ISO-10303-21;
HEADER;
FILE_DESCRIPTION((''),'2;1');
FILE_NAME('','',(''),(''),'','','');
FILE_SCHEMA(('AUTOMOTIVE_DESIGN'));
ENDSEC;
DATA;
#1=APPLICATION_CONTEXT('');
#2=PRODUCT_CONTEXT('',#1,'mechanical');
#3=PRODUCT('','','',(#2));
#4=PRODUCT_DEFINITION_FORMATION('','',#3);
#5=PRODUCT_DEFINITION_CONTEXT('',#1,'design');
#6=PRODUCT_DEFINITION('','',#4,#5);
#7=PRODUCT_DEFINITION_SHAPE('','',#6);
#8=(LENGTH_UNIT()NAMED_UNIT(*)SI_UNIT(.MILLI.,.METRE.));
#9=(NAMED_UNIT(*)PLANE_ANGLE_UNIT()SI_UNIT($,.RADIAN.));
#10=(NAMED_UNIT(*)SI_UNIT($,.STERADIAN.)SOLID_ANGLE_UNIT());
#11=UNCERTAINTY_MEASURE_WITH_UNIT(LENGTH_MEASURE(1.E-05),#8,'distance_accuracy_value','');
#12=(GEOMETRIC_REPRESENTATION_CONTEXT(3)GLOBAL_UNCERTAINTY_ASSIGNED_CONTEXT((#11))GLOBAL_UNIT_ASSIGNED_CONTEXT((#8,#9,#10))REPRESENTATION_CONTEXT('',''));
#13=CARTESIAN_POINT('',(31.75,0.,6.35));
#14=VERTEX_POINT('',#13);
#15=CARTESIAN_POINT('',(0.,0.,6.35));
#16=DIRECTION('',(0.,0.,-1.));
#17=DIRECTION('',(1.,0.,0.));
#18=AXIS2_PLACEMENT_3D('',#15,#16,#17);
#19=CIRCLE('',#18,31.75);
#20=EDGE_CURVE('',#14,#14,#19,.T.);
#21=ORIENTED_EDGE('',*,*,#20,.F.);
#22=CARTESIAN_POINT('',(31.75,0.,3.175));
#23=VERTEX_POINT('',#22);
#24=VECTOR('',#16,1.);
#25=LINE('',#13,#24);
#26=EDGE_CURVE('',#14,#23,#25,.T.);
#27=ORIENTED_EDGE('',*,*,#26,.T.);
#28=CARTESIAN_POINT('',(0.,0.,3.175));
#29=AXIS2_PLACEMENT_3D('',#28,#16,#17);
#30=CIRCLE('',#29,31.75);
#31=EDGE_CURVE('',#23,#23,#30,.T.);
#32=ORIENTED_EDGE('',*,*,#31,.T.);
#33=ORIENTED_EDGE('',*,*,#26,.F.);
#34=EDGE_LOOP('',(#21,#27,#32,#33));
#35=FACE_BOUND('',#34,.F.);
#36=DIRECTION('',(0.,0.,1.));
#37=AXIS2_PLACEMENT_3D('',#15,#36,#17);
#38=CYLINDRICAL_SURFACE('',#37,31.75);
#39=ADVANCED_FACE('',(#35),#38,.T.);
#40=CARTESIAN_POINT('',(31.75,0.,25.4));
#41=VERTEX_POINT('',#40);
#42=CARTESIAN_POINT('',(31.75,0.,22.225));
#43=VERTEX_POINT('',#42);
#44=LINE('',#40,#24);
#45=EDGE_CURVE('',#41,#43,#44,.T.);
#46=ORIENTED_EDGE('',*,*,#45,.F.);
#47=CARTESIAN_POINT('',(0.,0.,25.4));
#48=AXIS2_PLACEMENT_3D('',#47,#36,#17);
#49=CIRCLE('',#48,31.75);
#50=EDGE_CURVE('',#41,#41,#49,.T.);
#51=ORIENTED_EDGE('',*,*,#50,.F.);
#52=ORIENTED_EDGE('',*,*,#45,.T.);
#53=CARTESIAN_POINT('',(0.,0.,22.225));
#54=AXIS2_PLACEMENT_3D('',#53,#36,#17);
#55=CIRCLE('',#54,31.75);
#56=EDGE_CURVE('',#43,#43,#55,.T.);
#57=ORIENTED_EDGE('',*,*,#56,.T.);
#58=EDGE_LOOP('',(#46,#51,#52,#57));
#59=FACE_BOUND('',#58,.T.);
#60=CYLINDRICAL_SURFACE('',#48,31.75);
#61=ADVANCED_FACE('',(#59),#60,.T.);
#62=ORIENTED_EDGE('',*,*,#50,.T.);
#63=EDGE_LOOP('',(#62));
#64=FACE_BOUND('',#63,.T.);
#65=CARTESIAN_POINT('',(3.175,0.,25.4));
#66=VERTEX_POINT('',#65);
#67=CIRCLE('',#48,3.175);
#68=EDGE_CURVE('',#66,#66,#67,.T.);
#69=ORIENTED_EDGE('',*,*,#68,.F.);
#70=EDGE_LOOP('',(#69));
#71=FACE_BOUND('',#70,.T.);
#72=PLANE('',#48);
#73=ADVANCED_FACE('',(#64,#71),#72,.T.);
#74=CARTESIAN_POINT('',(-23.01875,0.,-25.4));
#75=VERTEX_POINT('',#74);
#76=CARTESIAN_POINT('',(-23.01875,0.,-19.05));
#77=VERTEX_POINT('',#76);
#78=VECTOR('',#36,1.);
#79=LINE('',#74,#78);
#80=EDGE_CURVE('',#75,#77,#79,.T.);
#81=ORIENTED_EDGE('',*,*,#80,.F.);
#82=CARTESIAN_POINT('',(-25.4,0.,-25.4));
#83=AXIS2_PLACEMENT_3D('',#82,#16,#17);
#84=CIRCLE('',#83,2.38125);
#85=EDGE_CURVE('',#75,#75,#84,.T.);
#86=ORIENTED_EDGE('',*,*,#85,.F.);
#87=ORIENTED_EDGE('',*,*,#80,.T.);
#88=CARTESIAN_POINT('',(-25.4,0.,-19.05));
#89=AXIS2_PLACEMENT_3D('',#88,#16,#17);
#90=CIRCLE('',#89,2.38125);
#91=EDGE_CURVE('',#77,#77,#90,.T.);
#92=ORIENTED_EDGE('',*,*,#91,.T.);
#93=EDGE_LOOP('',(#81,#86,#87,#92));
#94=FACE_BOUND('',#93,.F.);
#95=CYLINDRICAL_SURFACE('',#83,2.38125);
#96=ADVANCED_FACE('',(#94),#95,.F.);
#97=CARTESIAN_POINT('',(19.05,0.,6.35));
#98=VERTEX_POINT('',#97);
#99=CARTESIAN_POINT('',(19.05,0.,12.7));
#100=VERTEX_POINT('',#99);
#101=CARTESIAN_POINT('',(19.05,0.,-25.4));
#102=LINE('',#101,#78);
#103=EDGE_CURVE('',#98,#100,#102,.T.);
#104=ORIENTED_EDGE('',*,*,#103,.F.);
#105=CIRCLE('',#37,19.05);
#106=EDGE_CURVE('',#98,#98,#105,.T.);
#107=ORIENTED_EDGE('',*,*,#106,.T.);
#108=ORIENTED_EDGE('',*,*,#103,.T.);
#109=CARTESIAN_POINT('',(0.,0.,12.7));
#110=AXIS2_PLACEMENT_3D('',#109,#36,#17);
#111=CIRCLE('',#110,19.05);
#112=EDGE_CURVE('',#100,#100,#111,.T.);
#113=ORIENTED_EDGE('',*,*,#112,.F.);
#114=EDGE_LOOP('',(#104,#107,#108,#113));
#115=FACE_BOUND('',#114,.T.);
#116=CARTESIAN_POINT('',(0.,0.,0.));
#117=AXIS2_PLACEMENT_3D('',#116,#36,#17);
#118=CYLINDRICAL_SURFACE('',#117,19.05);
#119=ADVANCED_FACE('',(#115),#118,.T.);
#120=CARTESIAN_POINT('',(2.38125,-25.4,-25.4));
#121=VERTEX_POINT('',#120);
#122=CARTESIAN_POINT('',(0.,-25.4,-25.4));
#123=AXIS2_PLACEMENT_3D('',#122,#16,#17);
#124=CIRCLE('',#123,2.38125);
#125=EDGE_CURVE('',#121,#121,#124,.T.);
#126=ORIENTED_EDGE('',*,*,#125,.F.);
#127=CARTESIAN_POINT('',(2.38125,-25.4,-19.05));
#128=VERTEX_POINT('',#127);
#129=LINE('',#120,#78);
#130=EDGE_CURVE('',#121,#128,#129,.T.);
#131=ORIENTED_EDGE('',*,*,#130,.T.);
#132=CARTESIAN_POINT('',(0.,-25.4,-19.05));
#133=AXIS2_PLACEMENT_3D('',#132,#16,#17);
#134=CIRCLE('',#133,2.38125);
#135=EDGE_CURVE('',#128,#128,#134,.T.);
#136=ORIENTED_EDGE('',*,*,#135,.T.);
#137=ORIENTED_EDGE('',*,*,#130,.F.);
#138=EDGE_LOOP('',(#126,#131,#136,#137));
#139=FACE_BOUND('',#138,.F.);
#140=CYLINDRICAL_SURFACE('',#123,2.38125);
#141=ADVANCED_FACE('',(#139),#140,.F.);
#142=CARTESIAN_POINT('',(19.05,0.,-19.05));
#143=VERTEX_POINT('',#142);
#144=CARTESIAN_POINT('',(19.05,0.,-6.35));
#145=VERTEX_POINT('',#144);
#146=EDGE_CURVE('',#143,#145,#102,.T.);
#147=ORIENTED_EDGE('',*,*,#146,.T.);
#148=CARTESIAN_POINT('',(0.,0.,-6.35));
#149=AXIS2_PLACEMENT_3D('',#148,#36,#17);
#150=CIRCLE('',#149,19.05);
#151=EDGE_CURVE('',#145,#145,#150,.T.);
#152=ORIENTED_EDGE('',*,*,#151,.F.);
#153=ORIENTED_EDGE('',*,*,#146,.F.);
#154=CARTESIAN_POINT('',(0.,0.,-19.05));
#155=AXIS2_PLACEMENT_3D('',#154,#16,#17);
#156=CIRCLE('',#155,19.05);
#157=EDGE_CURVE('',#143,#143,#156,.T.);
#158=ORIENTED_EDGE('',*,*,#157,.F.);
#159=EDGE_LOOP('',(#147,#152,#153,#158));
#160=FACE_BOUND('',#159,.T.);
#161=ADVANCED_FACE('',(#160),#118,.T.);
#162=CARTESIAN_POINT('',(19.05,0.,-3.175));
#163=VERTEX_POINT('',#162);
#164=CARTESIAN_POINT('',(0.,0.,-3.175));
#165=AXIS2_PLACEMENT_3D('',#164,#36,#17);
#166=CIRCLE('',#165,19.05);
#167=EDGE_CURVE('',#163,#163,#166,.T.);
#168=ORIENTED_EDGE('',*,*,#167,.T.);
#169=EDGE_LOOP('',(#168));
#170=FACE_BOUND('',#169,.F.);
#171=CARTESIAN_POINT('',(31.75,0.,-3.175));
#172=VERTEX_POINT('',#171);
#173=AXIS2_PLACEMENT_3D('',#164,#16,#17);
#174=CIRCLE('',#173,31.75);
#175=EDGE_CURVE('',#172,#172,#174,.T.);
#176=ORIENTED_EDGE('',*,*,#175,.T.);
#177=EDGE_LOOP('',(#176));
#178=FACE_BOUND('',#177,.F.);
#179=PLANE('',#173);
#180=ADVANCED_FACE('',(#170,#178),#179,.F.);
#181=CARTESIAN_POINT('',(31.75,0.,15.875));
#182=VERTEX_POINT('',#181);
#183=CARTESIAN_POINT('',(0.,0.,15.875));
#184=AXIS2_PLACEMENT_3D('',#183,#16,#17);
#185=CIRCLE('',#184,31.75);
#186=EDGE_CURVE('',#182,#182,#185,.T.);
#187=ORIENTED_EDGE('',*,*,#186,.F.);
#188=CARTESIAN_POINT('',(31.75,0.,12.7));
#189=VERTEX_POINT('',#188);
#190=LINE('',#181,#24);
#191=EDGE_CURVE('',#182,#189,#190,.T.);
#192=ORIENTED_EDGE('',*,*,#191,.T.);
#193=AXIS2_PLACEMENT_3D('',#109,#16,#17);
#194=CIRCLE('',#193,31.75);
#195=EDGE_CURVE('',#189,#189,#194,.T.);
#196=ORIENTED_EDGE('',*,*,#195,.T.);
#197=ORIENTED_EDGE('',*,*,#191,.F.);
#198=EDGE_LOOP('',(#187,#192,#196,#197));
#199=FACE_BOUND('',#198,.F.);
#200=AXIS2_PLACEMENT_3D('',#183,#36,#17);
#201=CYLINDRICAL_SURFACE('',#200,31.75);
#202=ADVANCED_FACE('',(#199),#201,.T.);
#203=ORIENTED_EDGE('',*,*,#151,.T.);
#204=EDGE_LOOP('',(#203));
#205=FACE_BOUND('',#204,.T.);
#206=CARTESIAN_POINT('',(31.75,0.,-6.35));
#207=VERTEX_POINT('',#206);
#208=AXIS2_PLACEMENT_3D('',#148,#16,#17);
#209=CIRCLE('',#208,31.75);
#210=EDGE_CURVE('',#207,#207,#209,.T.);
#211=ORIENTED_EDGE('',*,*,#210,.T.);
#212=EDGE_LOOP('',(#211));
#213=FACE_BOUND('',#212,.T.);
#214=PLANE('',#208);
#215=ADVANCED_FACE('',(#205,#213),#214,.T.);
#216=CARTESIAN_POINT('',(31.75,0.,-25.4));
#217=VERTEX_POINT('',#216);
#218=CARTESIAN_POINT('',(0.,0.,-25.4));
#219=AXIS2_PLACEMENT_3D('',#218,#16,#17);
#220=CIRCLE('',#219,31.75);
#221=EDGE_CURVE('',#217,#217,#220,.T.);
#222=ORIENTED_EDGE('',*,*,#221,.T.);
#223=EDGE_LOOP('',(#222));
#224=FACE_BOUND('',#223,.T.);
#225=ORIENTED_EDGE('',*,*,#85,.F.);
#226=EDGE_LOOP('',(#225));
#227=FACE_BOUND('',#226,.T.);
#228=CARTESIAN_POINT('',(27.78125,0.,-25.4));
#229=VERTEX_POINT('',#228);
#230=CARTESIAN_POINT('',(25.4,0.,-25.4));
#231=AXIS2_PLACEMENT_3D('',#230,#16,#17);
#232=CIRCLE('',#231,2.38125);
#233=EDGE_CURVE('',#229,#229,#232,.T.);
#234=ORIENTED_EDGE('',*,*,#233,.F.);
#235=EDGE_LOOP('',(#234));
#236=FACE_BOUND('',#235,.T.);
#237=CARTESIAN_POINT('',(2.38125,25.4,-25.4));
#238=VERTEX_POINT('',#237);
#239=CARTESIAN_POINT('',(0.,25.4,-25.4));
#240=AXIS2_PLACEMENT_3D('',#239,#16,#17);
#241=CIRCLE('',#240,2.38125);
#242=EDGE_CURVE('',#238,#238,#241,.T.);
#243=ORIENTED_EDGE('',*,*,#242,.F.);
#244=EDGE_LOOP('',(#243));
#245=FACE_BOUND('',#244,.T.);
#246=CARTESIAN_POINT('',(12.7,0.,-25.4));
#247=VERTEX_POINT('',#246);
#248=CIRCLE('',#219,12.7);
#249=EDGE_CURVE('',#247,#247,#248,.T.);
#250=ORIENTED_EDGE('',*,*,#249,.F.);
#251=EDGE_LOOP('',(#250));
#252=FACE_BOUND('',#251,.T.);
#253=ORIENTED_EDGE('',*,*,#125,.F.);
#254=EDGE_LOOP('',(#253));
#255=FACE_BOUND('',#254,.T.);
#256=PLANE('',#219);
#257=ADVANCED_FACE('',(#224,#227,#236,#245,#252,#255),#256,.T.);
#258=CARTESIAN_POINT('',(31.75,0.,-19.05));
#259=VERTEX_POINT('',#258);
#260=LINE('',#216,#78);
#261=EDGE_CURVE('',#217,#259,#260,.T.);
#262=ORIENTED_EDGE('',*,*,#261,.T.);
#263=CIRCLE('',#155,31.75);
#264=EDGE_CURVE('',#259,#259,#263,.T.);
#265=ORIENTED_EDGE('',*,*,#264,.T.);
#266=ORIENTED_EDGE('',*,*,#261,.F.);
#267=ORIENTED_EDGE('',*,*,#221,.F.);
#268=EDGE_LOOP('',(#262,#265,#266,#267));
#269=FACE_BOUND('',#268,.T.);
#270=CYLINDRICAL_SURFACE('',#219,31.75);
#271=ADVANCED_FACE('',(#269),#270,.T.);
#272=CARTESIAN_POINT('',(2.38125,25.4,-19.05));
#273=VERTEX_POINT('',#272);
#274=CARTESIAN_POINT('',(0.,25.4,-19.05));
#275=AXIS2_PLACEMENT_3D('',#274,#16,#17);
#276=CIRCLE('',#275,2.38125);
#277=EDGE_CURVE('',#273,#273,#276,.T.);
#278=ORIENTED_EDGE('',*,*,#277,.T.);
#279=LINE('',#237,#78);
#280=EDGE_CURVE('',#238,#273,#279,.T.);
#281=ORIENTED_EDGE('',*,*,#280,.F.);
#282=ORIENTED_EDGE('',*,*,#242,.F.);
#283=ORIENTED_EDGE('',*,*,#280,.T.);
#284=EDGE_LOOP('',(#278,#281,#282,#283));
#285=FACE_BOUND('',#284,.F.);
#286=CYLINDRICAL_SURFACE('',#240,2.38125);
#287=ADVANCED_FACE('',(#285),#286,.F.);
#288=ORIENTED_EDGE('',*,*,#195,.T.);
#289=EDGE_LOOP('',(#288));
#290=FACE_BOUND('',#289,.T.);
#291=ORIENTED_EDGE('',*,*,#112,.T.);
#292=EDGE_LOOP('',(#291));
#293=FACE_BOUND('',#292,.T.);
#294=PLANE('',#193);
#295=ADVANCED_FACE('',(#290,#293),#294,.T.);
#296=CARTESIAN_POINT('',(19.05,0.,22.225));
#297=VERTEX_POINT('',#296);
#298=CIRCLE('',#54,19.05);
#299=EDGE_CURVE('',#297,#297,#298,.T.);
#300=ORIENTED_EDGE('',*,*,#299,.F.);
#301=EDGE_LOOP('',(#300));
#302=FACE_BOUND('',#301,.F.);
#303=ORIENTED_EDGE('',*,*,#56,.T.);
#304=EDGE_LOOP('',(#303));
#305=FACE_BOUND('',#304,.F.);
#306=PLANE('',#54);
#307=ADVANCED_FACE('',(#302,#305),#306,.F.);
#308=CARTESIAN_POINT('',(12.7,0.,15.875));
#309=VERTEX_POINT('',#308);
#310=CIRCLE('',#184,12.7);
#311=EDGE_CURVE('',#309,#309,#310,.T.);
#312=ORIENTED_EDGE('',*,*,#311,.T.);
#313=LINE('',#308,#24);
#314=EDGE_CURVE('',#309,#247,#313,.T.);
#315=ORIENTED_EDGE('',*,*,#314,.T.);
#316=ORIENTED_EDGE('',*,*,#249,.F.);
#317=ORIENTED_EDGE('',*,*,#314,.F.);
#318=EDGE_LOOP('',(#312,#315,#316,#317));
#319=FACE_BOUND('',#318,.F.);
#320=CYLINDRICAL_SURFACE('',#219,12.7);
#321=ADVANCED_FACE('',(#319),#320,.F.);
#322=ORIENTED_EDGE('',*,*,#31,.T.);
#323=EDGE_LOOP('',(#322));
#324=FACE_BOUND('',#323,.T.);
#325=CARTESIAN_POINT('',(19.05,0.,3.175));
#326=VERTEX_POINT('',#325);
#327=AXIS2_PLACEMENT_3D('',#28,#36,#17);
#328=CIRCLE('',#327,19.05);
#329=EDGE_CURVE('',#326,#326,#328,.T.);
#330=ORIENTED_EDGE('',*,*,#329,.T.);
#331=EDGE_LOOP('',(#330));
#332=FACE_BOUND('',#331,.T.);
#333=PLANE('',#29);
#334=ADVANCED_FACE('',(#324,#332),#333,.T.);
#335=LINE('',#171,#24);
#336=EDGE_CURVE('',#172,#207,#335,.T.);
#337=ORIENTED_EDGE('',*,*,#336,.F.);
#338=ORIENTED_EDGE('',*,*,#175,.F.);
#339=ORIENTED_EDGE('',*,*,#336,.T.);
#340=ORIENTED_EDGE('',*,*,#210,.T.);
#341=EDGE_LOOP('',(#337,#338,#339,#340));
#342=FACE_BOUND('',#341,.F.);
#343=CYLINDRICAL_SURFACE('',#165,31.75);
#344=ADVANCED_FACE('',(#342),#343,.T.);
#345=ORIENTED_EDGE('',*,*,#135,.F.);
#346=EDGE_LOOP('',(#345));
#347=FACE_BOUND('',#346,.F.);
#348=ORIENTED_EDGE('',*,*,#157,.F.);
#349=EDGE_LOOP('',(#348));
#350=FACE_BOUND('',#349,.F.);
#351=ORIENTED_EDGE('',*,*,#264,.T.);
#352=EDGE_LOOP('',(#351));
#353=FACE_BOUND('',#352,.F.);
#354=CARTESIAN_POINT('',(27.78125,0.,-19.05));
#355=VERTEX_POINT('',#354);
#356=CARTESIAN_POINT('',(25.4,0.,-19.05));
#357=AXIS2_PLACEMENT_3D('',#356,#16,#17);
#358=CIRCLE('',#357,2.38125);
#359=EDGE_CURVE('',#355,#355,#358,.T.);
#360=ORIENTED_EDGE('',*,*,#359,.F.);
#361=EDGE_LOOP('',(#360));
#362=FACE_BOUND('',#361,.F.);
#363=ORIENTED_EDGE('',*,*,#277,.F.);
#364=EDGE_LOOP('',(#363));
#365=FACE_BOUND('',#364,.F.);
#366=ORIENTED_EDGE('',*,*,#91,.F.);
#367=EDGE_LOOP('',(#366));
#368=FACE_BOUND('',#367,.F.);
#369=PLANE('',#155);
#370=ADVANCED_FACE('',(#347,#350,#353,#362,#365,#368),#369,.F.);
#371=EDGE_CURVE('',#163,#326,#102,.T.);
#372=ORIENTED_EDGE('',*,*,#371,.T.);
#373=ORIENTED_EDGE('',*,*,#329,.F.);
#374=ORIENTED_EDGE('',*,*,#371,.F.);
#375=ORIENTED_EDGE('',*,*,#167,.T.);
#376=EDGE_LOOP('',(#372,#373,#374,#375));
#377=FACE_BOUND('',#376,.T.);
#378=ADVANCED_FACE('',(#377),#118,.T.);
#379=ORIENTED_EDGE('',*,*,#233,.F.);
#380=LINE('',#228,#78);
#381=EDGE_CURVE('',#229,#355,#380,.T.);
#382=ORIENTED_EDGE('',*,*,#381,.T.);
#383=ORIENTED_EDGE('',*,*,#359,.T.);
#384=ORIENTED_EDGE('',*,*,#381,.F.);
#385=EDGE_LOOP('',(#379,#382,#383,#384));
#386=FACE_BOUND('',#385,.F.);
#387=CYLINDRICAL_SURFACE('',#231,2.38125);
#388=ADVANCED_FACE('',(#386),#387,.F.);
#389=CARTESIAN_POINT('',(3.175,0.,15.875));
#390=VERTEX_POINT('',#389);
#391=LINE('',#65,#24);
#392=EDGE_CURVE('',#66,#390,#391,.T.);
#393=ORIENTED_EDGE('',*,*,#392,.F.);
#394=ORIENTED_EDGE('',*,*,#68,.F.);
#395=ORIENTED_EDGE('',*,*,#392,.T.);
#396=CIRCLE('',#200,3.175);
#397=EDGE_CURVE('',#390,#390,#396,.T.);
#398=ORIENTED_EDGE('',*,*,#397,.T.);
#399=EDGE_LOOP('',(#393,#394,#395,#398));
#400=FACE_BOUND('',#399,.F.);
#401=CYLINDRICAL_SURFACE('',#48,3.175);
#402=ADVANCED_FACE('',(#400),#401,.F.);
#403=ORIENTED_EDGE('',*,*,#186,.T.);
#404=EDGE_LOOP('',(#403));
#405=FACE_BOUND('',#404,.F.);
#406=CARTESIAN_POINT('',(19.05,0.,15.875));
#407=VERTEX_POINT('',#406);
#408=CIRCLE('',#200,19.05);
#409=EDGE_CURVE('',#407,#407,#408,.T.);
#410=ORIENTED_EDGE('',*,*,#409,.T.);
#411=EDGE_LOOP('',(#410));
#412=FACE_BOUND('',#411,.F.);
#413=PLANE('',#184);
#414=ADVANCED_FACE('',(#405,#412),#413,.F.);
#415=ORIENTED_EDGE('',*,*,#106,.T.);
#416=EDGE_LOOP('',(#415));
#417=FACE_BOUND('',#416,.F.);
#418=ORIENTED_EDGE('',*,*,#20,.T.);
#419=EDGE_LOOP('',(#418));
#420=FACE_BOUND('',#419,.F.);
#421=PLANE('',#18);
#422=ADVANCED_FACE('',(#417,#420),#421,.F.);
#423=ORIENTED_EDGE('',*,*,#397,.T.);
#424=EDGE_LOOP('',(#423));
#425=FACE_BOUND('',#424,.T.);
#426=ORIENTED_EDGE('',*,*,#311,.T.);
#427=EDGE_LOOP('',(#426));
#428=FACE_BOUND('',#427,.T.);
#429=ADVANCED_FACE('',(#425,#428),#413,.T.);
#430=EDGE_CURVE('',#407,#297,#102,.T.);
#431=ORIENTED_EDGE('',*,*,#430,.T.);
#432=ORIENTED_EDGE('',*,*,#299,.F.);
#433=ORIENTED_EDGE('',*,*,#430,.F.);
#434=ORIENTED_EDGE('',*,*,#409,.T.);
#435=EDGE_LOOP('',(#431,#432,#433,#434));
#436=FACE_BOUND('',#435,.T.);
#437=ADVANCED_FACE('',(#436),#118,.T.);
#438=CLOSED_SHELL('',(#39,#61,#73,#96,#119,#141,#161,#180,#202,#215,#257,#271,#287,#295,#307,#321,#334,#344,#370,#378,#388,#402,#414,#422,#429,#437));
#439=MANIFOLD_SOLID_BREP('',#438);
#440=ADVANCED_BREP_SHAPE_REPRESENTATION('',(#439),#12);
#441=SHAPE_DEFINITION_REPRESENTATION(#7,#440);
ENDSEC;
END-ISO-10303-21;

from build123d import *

# Parameters (mm, degrees)
F0_R          = 19.05
F1_DEPTH      = 25.4
F1_DEPTH_BACK = 25.4
F2_R          = 31.75
F2_R_2        = 2.38125
F2_R_3        = 19.05
F3_DEPTH      = 6.35
F4_R          = 12.7
F5_DEPTH      = 41.275
F6_R          = 3.175
F7_DEPTH      = 9.525
F8_R          = 31.75
F8_R_2        = 19.05
F9_DEPTH      = 3.175
F13_R         = 31.75
F13_R_2       = 12.7
F14_DEPTH     = 3.175
F15_R         = 31.75
F15_R_2       = 12.7
F16_DEPTH     = 3.175
F17_R         = 31.75
F17_R_2       = 12.7
F18_DEPTH     = 3.175


with BuildPart() as f1:
    # F0 (on Top) → F1 (new body, two sides)
    with BuildSketch(Plane.XY) as f1_sk:
        Circle(F0_R)
    extrude(amount=F1_DEPTH)
    extrude(f1_sk.sketch, amount=-F1_DEPTH_BACK)

    # F2 (on face) → F3 (join)
    with BuildSketch(Plane(origin=(0, 0, -25.4), x_dir=(1, 0, 0), z_dir=(0, 0, -1))):
        Circle(F2_R)
        with Locations((0, -25.4)):
            Circle(F2_R_2, mode=Mode.SUBTRACT)
        with Locations((-25.4, 0)):
            Circle(F2_R_2, mode=Mode.SUBTRACT)
        Circle(F2_R_3, mode=Mode.SUBTRACT)
        with Locations((25.4, 0)):
            Circle(F2_R_2, mode=Mode.SUBTRACT)
        with Locations((0, 25.4)):
            Circle(F2_R_2, mode=Mode.SUBTRACT)
    extrude(amount=-F3_DEPTH)

    # F4 (on face) → F5 (cut)
    with BuildSketch(Plane(origin=(0, 0, -25.4), x_dir=(1, 0, 0), z_dir=(0, 0, -1))):
        Circle(F4_R)
    extrude(amount=-F5_DEPTH, mode=Mode.SUBTRACT)

    # F6 (on face) → F7 (cut)
    with BuildSketch(Plane.XY.offset(25.4)):
        Circle(F6_R)
    extrude(amount=-F7_DEPTH, mode=Mode.SUBTRACT)

    # F8 (on face) → F9 (join)
    with BuildSketch(Plane.XY.offset(25.4)):
        Circle(F8_R)
        Circle(F8_R_2, mode=Mode.SUBTRACT)
    extrude(amount=-F9_DEPTH)

    # F13 (on offset) → F14 (join)
    with BuildSketch(Plane(origin=(0, 0, 15.875), x_dir=(1, 0, 0), z_dir=(0, 0, -1))):
        Circle(F13_R)
        Circle(F13_R_2, mode=Mode.SUBTRACT)
    extrude(amount=F14_DEPTH)

    # F15 (on offset) → F16 (join)
    with BuildSketch(Plane(origin=(0, 0, 6.35), x_dir=(1, 0, 0), z_dir=(0, 0, -1))):
        Circle(F15_R)
        Circle(F15_R_2, mode=Mode.SUBTRACT)
    extrude(amount=F16_DEPTH)

    # F17 (on offset) → F18 (join)
    with BuildSketch(Plane(origin=(0, 0, -3.175), x_dir=(1, 0, 0), z_dir=(0, 0, -1))):
        Circle(F17_R)
        Circle(F17_R_2, mode=Mode.SUBTRACT)
    extrude(amount=F18_DEPTH)


solid = f1.part
